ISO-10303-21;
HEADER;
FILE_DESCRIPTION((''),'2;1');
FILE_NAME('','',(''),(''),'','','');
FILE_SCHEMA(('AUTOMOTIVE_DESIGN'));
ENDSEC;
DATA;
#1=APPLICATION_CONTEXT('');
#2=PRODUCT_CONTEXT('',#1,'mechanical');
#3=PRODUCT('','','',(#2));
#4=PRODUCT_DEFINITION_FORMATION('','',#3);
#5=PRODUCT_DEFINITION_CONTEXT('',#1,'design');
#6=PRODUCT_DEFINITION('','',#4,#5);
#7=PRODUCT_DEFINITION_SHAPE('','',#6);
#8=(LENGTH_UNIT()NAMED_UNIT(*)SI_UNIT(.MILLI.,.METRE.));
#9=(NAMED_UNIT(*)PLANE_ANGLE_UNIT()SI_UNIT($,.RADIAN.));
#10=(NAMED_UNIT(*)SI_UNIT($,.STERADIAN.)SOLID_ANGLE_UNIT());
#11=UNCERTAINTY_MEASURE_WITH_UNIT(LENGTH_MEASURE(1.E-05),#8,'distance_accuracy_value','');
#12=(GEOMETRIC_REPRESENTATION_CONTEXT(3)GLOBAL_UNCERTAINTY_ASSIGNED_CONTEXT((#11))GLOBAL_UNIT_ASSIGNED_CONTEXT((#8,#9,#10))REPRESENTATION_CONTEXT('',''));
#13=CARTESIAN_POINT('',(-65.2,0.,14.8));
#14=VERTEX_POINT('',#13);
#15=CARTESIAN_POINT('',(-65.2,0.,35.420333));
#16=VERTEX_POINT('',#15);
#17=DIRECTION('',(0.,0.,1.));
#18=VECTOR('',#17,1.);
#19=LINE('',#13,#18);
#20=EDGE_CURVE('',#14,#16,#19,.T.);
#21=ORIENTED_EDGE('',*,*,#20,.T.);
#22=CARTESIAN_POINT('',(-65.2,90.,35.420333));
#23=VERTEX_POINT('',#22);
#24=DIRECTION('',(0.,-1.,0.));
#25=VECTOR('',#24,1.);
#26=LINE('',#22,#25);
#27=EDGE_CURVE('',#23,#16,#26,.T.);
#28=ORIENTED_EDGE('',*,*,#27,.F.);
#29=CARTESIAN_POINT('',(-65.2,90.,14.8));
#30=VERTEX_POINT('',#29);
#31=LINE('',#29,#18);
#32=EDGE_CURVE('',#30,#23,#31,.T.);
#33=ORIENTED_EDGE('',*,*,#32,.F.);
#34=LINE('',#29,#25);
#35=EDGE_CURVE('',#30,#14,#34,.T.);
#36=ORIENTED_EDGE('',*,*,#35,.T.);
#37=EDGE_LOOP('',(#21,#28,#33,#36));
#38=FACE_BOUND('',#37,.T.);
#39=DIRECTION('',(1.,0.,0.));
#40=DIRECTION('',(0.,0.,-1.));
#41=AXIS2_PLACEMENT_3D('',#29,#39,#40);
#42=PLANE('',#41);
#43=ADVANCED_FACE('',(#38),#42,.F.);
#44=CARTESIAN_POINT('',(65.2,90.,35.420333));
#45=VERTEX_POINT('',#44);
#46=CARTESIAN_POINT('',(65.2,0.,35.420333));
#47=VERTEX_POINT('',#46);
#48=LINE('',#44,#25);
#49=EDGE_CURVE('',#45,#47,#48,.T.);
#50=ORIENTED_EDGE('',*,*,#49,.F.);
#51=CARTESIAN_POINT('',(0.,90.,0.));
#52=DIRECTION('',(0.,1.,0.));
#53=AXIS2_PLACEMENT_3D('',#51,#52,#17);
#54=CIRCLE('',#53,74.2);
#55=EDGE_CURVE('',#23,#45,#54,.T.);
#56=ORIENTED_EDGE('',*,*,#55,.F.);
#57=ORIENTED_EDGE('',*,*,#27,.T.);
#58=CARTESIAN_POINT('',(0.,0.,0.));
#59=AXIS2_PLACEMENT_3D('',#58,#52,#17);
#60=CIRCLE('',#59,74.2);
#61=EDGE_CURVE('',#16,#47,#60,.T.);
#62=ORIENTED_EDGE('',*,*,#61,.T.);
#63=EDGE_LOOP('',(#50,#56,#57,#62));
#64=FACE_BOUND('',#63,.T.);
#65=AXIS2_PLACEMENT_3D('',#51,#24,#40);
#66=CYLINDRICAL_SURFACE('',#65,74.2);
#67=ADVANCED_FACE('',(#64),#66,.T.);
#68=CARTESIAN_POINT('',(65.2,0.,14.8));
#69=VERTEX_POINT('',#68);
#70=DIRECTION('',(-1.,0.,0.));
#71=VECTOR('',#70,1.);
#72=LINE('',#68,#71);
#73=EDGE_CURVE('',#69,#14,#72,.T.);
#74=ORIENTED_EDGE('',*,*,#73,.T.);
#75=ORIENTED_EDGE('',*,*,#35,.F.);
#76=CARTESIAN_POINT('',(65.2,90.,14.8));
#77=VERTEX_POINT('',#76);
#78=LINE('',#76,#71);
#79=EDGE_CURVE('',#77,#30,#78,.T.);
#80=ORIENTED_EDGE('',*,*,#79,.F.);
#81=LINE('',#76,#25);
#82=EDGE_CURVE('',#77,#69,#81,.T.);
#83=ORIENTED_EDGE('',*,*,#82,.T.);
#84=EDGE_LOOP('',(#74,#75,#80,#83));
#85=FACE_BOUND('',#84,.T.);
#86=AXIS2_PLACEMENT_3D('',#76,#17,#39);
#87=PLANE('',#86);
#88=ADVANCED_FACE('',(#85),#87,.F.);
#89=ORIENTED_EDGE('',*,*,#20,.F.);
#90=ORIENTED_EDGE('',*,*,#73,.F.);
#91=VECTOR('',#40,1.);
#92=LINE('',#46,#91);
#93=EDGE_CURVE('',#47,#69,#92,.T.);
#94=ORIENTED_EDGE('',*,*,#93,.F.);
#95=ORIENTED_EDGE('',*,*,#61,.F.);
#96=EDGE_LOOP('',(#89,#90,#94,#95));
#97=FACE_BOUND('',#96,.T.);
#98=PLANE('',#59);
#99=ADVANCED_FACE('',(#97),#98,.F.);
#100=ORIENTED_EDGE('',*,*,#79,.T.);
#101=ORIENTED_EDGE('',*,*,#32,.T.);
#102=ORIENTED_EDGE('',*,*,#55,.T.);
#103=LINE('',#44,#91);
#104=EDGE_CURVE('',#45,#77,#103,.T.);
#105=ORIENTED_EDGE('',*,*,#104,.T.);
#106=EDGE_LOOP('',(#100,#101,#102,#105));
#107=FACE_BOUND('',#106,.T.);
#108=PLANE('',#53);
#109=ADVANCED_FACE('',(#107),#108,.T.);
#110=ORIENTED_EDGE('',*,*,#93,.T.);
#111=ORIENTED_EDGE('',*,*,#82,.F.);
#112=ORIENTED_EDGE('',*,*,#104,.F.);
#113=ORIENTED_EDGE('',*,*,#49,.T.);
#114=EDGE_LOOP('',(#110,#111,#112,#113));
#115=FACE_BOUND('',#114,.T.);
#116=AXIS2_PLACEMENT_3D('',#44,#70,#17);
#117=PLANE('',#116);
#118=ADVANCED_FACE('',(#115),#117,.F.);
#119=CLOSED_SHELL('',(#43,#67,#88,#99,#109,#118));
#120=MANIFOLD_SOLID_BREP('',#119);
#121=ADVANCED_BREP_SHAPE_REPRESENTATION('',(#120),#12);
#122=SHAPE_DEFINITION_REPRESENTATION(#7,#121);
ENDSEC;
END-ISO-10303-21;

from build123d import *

# Parameters (mm, degrees)
BOSS_EXTRUDE1_DEPTH = 90


with BuildPart() as part:
    # Sketch1 → Boss-Extrude1 (new body)
    with BuildSketch(Plane(origin=(0, 0, 0), x_dir=(1, 0, 0), z_dir=(0, 1, 0))):
        with BuildLine():
            Line((65.2, -14.8), (-65.2, -14.8))
            Line((-65.2, -14.8), (-65.2, -35.420333144))
            ThreePointArc((-65.2, -35.420333144), (0, -74.2), (65.2, -35.420333144))
            Line((65.2, -35.420333144), (65.2, -14.8))
        make_face()
    extrude(amount=BOSS_EXTRUDE1_DEPTH)


solid = part.part
